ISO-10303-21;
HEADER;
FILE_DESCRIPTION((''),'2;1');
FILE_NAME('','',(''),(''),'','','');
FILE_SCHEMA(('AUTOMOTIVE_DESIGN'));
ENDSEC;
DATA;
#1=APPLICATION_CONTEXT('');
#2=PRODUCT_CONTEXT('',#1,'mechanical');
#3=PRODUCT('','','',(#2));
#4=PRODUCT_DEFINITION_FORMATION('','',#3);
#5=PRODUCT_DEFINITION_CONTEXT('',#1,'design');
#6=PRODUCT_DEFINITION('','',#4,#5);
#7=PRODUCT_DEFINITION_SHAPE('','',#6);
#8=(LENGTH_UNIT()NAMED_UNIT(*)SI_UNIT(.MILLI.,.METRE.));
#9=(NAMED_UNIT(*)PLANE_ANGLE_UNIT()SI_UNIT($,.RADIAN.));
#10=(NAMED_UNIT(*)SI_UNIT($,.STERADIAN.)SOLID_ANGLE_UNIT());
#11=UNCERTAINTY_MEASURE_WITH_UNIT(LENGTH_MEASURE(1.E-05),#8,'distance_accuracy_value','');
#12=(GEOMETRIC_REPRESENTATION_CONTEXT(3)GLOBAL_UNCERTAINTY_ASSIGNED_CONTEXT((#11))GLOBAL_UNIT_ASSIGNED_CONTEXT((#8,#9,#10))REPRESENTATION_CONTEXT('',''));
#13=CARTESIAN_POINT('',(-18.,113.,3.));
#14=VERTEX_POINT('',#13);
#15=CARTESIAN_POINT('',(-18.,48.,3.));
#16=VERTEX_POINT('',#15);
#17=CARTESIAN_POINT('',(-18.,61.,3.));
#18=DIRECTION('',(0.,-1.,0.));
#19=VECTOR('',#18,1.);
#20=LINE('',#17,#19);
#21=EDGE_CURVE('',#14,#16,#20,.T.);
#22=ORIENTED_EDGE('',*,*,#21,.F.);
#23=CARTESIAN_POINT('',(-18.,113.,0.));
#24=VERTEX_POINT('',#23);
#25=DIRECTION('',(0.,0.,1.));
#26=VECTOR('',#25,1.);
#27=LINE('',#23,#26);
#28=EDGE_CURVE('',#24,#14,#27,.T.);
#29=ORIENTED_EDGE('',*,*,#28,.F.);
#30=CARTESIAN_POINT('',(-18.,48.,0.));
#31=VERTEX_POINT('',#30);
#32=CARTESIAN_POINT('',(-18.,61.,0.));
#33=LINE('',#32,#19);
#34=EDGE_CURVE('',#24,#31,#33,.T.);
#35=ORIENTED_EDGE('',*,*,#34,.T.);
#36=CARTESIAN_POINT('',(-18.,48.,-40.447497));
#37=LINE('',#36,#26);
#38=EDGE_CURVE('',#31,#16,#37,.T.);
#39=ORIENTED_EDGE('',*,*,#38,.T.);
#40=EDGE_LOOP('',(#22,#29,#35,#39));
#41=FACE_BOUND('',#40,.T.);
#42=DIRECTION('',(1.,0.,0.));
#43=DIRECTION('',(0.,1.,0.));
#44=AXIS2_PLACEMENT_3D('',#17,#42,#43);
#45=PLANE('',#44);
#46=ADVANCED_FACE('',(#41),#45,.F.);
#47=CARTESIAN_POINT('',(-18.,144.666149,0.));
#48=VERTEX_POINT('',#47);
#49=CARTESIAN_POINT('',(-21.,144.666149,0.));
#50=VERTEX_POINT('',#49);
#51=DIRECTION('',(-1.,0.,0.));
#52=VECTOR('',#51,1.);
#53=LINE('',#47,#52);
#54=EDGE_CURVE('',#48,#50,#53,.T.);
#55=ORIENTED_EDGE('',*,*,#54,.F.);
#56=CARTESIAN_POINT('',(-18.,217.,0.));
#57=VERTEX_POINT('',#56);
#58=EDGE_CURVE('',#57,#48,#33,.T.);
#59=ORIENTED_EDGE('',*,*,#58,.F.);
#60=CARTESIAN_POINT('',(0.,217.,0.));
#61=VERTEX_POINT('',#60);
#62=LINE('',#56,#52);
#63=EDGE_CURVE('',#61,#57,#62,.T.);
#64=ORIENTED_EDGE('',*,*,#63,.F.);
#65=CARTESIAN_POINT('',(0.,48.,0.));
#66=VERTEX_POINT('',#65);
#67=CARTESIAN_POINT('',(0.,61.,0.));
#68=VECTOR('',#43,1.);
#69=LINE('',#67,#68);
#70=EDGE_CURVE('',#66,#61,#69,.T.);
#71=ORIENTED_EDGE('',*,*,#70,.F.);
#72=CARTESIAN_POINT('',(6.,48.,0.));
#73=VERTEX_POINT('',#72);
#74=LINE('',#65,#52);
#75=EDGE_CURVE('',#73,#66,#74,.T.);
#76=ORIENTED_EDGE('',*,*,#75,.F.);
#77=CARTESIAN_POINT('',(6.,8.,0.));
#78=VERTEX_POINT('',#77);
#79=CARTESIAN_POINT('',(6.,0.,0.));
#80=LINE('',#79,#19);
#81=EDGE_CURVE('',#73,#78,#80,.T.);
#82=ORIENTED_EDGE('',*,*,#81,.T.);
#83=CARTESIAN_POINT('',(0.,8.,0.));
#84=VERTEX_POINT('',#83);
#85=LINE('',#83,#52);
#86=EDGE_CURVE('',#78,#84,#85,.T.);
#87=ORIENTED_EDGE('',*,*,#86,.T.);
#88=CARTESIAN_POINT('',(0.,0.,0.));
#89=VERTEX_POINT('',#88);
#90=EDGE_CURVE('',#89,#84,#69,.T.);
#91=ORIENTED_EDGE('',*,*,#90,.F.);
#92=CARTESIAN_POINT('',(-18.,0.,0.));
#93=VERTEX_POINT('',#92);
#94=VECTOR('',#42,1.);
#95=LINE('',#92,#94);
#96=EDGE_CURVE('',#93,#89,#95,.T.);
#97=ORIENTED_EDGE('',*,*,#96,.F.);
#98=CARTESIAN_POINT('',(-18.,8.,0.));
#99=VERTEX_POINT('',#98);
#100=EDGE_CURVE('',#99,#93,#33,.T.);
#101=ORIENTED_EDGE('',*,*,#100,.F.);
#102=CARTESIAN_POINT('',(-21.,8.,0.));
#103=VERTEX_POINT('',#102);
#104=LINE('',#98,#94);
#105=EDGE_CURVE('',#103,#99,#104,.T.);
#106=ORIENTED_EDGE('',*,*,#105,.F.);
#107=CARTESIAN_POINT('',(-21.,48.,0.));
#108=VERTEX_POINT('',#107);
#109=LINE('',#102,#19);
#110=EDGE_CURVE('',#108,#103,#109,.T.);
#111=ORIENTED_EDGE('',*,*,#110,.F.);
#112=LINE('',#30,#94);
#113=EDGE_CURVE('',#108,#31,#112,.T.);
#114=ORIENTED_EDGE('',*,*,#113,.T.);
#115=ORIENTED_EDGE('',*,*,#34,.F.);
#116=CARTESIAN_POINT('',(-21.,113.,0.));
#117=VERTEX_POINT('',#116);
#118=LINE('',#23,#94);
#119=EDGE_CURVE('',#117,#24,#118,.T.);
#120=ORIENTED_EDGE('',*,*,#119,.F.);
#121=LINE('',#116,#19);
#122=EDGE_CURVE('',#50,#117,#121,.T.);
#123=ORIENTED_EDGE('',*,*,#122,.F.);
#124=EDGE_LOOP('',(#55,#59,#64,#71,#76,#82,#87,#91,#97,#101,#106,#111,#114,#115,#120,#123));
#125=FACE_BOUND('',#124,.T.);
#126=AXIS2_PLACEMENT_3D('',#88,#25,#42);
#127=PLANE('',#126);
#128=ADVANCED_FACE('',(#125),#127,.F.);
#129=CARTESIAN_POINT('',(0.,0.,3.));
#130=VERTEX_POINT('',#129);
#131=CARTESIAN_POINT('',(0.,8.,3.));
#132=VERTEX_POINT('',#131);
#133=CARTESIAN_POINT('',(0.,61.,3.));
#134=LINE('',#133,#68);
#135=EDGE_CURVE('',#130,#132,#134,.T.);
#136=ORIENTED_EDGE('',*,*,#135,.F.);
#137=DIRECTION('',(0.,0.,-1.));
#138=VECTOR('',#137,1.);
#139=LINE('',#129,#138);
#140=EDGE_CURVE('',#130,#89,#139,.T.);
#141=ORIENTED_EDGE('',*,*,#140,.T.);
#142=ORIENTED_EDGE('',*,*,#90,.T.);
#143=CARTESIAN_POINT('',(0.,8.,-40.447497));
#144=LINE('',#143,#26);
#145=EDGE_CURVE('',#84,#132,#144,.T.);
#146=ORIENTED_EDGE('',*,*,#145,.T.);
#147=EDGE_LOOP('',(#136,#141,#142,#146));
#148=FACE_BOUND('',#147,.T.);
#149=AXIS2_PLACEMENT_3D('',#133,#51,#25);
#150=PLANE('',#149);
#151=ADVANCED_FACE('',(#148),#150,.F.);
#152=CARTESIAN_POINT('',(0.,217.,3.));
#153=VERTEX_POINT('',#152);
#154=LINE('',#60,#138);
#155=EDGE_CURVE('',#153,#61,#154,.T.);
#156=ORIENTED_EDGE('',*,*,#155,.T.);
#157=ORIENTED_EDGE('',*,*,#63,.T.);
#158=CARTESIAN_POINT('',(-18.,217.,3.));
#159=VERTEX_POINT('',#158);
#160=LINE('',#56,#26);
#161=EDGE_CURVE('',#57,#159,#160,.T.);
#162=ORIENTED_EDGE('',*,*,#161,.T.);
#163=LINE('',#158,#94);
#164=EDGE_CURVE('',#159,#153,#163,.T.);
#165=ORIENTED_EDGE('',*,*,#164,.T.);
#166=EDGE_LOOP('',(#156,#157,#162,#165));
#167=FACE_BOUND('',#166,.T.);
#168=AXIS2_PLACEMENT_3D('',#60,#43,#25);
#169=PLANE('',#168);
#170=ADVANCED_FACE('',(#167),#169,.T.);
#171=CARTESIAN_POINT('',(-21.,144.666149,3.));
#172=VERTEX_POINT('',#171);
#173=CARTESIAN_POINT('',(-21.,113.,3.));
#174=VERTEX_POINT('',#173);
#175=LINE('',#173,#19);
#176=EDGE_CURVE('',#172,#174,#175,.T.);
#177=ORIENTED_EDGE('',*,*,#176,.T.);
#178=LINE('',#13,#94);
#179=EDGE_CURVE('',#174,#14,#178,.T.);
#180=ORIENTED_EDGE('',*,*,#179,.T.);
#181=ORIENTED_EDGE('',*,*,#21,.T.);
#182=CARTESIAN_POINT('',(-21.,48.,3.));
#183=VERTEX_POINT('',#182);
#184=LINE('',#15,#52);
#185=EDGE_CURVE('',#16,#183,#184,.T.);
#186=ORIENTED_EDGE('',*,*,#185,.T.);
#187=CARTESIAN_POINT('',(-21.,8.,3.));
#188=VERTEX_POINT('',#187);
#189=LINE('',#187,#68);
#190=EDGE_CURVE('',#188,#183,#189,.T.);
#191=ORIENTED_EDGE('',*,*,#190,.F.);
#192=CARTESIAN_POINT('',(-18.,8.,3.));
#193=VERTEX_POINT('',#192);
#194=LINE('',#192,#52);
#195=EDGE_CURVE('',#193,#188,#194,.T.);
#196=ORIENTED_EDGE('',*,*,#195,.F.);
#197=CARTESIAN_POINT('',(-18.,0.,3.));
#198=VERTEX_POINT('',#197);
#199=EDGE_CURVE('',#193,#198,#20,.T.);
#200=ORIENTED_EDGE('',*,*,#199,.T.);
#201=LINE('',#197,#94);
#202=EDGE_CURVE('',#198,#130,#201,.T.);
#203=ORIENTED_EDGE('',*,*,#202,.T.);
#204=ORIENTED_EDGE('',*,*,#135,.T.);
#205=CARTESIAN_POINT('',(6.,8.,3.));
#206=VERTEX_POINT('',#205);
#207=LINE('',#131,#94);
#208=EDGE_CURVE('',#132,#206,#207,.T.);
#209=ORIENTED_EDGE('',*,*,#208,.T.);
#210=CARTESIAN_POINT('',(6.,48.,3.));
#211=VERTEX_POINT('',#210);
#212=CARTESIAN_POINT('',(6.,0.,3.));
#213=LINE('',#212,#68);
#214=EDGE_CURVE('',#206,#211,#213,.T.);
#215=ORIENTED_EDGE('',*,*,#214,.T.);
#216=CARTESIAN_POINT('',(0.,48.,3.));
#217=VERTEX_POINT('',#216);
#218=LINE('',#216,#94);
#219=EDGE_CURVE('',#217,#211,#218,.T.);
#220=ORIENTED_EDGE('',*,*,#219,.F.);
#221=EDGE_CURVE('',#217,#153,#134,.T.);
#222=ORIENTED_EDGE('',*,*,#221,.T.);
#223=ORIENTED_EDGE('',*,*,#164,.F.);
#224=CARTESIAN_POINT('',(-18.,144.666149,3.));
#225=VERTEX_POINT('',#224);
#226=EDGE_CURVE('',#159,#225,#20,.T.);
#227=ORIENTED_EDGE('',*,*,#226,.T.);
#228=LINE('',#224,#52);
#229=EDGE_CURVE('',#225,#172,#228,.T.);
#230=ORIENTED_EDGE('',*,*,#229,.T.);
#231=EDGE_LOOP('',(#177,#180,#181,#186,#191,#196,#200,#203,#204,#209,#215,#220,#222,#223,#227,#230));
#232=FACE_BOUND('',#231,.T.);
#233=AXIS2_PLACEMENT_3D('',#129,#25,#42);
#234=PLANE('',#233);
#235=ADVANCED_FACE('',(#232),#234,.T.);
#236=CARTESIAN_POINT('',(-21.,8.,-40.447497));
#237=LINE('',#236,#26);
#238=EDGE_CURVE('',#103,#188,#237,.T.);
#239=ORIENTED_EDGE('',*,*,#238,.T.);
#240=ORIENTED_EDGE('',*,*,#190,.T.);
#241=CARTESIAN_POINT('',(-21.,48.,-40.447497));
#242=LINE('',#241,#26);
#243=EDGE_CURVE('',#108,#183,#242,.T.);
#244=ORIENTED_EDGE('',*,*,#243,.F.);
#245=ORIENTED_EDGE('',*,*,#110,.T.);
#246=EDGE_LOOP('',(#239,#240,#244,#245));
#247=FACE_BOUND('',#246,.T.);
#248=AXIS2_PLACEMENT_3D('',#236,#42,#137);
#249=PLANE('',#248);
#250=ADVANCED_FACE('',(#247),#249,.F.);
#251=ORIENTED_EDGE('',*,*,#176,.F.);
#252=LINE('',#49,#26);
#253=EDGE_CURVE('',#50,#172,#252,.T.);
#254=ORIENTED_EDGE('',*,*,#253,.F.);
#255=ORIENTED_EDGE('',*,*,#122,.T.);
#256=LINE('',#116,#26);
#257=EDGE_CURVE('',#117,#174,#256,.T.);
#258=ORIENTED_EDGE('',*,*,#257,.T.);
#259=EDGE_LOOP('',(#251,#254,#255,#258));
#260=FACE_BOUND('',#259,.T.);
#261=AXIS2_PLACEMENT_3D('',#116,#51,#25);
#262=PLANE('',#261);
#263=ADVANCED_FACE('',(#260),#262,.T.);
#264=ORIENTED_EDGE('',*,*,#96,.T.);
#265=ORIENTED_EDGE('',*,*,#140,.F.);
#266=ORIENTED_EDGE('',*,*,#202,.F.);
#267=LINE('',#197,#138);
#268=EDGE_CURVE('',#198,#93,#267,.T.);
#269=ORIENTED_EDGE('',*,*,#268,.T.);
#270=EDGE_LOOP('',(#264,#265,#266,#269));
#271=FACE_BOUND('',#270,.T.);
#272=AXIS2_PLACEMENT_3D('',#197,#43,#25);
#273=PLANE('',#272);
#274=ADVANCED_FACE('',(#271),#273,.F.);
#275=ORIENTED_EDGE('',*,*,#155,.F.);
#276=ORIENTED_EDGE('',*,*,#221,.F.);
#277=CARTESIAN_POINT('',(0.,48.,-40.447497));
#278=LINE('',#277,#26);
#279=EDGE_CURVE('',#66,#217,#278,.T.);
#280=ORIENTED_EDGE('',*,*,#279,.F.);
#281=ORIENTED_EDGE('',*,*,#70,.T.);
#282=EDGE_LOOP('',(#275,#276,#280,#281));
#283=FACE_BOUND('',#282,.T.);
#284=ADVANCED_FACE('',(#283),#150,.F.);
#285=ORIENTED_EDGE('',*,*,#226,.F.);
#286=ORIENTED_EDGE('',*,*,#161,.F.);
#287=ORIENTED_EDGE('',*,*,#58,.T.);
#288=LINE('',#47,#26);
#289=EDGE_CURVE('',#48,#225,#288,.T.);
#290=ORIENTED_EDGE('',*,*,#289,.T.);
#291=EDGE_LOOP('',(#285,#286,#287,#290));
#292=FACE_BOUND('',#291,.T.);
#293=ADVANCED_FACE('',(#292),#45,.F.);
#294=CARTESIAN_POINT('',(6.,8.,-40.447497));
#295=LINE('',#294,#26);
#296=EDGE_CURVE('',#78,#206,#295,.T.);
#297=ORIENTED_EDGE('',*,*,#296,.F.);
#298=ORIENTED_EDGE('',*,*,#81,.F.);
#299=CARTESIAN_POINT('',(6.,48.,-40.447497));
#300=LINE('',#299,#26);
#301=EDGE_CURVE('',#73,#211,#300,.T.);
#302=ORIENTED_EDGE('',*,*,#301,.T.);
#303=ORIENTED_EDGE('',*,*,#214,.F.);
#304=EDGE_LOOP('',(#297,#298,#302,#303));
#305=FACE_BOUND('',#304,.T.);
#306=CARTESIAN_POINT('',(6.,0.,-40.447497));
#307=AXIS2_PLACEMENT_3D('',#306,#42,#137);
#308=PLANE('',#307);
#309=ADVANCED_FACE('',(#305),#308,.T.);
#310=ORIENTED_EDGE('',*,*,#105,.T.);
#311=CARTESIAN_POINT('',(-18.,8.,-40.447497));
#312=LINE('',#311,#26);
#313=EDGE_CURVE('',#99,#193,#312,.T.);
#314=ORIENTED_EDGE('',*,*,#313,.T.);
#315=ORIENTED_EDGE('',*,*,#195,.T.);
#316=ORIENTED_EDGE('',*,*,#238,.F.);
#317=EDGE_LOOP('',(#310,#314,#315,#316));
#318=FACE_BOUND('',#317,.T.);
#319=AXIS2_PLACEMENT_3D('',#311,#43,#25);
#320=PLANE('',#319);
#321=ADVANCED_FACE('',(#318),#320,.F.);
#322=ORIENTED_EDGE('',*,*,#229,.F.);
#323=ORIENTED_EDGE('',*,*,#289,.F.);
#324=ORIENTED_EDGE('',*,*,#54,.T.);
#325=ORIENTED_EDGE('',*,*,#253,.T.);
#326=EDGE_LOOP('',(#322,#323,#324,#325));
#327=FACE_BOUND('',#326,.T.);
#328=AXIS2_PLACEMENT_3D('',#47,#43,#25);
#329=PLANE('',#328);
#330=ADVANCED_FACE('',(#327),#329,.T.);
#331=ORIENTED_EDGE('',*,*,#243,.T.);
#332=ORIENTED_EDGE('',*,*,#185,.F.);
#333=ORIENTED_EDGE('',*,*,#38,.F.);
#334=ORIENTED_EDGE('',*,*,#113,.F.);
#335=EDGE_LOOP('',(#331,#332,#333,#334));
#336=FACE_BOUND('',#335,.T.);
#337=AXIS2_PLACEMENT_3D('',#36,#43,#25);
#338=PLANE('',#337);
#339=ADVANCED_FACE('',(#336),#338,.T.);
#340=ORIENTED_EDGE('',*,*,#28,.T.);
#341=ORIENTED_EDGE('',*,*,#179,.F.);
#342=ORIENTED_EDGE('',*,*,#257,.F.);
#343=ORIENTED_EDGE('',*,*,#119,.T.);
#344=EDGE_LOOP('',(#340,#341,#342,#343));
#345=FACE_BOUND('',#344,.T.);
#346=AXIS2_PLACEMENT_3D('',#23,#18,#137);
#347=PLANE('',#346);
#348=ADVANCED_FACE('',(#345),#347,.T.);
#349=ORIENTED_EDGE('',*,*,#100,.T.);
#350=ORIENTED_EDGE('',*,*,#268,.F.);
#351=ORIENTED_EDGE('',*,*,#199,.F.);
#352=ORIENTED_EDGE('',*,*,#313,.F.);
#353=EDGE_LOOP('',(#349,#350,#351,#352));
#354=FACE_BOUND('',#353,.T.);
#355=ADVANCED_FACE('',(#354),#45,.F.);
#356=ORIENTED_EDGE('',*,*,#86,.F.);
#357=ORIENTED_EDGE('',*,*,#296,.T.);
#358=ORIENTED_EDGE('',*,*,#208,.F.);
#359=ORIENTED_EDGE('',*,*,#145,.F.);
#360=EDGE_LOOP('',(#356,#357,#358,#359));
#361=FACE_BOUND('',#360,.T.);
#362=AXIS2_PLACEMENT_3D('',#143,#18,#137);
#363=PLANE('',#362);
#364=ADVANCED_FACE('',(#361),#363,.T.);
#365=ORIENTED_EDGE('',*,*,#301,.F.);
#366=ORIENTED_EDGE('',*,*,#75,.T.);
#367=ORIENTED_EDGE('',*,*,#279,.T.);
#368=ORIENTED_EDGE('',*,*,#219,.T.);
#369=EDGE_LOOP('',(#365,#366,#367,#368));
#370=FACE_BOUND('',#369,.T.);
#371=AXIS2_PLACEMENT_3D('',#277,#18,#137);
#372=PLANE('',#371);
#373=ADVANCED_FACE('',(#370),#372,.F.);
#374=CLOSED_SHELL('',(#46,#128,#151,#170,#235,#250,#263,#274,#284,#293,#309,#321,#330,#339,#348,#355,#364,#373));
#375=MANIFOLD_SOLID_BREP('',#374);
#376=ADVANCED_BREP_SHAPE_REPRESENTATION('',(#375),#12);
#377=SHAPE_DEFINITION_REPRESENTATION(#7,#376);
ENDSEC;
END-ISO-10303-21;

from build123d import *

# Parameters (mm, degrees)
SKETCH1_W           = 18
SKETCH1_H           = 61
BASE_SHAPE_DEPTH    = 3
SKETCH2_W           = 6
SKETCH2_H           = 40
SKETCH2_W_2         = 3
FINGERS_DEPTH       = 3
SKETCH3_W           = 18
SKETCH3_H           = 3
BOSS_EXTRUDE1_DEPTH = 156
SKETCH4_W           = 3
SKETCH4_H           = 31.66614885
BOSS_EXTRUDE3_DEPTH = 3


with BuildPart() as part:
    # Sketch1 → Base Shape (new body)
    with BuildSketch(Plane.XY):
        with Locations((-9, 30.5)):
            Rectangle(SKETCH1_W, SKETCH1_H)
    extrude(amount=BASE_SHAPE_DEPTH)

    # Sketch2 → Fingers (add)
    with BuildSketch(Plane.XY.offset(3)):
        with Locations((3, 28)):
            Rectangle(SKETCH2_W, SKETCH2_H)
        with Locations((-19.5, 28)):
            Rectangle(SKETCH2_W_2, SKETCH2_H)
    extrude(amount=-FINGERS_DEPTH)

    # Sketch3 → Boss-Extrude1 (add)
    with BuildSketch(Plane(origin=(0, 61, 0), x_dir=(1, 0, 0), z_dir=(0, 1, 0))):
        with Locations((-9, -1.5)):
            Rectangle(SKETCH3_W, SKETCH3_H)
    extrude(amount=BOSS_EXTRUDE1_DEPTH)

    # Sketch4 → Boss-Extrude3 (add, through all)
    with BuildSketch(Plane.XY.offset(3)):
        with Locations((-19.5, 128.833074425)):
            Rectangle(SKETCH4_W, SKETCH4_H)
    extrude(amount=-BOSS_EXTRUDE3_DEPTH)


solid = part.part
